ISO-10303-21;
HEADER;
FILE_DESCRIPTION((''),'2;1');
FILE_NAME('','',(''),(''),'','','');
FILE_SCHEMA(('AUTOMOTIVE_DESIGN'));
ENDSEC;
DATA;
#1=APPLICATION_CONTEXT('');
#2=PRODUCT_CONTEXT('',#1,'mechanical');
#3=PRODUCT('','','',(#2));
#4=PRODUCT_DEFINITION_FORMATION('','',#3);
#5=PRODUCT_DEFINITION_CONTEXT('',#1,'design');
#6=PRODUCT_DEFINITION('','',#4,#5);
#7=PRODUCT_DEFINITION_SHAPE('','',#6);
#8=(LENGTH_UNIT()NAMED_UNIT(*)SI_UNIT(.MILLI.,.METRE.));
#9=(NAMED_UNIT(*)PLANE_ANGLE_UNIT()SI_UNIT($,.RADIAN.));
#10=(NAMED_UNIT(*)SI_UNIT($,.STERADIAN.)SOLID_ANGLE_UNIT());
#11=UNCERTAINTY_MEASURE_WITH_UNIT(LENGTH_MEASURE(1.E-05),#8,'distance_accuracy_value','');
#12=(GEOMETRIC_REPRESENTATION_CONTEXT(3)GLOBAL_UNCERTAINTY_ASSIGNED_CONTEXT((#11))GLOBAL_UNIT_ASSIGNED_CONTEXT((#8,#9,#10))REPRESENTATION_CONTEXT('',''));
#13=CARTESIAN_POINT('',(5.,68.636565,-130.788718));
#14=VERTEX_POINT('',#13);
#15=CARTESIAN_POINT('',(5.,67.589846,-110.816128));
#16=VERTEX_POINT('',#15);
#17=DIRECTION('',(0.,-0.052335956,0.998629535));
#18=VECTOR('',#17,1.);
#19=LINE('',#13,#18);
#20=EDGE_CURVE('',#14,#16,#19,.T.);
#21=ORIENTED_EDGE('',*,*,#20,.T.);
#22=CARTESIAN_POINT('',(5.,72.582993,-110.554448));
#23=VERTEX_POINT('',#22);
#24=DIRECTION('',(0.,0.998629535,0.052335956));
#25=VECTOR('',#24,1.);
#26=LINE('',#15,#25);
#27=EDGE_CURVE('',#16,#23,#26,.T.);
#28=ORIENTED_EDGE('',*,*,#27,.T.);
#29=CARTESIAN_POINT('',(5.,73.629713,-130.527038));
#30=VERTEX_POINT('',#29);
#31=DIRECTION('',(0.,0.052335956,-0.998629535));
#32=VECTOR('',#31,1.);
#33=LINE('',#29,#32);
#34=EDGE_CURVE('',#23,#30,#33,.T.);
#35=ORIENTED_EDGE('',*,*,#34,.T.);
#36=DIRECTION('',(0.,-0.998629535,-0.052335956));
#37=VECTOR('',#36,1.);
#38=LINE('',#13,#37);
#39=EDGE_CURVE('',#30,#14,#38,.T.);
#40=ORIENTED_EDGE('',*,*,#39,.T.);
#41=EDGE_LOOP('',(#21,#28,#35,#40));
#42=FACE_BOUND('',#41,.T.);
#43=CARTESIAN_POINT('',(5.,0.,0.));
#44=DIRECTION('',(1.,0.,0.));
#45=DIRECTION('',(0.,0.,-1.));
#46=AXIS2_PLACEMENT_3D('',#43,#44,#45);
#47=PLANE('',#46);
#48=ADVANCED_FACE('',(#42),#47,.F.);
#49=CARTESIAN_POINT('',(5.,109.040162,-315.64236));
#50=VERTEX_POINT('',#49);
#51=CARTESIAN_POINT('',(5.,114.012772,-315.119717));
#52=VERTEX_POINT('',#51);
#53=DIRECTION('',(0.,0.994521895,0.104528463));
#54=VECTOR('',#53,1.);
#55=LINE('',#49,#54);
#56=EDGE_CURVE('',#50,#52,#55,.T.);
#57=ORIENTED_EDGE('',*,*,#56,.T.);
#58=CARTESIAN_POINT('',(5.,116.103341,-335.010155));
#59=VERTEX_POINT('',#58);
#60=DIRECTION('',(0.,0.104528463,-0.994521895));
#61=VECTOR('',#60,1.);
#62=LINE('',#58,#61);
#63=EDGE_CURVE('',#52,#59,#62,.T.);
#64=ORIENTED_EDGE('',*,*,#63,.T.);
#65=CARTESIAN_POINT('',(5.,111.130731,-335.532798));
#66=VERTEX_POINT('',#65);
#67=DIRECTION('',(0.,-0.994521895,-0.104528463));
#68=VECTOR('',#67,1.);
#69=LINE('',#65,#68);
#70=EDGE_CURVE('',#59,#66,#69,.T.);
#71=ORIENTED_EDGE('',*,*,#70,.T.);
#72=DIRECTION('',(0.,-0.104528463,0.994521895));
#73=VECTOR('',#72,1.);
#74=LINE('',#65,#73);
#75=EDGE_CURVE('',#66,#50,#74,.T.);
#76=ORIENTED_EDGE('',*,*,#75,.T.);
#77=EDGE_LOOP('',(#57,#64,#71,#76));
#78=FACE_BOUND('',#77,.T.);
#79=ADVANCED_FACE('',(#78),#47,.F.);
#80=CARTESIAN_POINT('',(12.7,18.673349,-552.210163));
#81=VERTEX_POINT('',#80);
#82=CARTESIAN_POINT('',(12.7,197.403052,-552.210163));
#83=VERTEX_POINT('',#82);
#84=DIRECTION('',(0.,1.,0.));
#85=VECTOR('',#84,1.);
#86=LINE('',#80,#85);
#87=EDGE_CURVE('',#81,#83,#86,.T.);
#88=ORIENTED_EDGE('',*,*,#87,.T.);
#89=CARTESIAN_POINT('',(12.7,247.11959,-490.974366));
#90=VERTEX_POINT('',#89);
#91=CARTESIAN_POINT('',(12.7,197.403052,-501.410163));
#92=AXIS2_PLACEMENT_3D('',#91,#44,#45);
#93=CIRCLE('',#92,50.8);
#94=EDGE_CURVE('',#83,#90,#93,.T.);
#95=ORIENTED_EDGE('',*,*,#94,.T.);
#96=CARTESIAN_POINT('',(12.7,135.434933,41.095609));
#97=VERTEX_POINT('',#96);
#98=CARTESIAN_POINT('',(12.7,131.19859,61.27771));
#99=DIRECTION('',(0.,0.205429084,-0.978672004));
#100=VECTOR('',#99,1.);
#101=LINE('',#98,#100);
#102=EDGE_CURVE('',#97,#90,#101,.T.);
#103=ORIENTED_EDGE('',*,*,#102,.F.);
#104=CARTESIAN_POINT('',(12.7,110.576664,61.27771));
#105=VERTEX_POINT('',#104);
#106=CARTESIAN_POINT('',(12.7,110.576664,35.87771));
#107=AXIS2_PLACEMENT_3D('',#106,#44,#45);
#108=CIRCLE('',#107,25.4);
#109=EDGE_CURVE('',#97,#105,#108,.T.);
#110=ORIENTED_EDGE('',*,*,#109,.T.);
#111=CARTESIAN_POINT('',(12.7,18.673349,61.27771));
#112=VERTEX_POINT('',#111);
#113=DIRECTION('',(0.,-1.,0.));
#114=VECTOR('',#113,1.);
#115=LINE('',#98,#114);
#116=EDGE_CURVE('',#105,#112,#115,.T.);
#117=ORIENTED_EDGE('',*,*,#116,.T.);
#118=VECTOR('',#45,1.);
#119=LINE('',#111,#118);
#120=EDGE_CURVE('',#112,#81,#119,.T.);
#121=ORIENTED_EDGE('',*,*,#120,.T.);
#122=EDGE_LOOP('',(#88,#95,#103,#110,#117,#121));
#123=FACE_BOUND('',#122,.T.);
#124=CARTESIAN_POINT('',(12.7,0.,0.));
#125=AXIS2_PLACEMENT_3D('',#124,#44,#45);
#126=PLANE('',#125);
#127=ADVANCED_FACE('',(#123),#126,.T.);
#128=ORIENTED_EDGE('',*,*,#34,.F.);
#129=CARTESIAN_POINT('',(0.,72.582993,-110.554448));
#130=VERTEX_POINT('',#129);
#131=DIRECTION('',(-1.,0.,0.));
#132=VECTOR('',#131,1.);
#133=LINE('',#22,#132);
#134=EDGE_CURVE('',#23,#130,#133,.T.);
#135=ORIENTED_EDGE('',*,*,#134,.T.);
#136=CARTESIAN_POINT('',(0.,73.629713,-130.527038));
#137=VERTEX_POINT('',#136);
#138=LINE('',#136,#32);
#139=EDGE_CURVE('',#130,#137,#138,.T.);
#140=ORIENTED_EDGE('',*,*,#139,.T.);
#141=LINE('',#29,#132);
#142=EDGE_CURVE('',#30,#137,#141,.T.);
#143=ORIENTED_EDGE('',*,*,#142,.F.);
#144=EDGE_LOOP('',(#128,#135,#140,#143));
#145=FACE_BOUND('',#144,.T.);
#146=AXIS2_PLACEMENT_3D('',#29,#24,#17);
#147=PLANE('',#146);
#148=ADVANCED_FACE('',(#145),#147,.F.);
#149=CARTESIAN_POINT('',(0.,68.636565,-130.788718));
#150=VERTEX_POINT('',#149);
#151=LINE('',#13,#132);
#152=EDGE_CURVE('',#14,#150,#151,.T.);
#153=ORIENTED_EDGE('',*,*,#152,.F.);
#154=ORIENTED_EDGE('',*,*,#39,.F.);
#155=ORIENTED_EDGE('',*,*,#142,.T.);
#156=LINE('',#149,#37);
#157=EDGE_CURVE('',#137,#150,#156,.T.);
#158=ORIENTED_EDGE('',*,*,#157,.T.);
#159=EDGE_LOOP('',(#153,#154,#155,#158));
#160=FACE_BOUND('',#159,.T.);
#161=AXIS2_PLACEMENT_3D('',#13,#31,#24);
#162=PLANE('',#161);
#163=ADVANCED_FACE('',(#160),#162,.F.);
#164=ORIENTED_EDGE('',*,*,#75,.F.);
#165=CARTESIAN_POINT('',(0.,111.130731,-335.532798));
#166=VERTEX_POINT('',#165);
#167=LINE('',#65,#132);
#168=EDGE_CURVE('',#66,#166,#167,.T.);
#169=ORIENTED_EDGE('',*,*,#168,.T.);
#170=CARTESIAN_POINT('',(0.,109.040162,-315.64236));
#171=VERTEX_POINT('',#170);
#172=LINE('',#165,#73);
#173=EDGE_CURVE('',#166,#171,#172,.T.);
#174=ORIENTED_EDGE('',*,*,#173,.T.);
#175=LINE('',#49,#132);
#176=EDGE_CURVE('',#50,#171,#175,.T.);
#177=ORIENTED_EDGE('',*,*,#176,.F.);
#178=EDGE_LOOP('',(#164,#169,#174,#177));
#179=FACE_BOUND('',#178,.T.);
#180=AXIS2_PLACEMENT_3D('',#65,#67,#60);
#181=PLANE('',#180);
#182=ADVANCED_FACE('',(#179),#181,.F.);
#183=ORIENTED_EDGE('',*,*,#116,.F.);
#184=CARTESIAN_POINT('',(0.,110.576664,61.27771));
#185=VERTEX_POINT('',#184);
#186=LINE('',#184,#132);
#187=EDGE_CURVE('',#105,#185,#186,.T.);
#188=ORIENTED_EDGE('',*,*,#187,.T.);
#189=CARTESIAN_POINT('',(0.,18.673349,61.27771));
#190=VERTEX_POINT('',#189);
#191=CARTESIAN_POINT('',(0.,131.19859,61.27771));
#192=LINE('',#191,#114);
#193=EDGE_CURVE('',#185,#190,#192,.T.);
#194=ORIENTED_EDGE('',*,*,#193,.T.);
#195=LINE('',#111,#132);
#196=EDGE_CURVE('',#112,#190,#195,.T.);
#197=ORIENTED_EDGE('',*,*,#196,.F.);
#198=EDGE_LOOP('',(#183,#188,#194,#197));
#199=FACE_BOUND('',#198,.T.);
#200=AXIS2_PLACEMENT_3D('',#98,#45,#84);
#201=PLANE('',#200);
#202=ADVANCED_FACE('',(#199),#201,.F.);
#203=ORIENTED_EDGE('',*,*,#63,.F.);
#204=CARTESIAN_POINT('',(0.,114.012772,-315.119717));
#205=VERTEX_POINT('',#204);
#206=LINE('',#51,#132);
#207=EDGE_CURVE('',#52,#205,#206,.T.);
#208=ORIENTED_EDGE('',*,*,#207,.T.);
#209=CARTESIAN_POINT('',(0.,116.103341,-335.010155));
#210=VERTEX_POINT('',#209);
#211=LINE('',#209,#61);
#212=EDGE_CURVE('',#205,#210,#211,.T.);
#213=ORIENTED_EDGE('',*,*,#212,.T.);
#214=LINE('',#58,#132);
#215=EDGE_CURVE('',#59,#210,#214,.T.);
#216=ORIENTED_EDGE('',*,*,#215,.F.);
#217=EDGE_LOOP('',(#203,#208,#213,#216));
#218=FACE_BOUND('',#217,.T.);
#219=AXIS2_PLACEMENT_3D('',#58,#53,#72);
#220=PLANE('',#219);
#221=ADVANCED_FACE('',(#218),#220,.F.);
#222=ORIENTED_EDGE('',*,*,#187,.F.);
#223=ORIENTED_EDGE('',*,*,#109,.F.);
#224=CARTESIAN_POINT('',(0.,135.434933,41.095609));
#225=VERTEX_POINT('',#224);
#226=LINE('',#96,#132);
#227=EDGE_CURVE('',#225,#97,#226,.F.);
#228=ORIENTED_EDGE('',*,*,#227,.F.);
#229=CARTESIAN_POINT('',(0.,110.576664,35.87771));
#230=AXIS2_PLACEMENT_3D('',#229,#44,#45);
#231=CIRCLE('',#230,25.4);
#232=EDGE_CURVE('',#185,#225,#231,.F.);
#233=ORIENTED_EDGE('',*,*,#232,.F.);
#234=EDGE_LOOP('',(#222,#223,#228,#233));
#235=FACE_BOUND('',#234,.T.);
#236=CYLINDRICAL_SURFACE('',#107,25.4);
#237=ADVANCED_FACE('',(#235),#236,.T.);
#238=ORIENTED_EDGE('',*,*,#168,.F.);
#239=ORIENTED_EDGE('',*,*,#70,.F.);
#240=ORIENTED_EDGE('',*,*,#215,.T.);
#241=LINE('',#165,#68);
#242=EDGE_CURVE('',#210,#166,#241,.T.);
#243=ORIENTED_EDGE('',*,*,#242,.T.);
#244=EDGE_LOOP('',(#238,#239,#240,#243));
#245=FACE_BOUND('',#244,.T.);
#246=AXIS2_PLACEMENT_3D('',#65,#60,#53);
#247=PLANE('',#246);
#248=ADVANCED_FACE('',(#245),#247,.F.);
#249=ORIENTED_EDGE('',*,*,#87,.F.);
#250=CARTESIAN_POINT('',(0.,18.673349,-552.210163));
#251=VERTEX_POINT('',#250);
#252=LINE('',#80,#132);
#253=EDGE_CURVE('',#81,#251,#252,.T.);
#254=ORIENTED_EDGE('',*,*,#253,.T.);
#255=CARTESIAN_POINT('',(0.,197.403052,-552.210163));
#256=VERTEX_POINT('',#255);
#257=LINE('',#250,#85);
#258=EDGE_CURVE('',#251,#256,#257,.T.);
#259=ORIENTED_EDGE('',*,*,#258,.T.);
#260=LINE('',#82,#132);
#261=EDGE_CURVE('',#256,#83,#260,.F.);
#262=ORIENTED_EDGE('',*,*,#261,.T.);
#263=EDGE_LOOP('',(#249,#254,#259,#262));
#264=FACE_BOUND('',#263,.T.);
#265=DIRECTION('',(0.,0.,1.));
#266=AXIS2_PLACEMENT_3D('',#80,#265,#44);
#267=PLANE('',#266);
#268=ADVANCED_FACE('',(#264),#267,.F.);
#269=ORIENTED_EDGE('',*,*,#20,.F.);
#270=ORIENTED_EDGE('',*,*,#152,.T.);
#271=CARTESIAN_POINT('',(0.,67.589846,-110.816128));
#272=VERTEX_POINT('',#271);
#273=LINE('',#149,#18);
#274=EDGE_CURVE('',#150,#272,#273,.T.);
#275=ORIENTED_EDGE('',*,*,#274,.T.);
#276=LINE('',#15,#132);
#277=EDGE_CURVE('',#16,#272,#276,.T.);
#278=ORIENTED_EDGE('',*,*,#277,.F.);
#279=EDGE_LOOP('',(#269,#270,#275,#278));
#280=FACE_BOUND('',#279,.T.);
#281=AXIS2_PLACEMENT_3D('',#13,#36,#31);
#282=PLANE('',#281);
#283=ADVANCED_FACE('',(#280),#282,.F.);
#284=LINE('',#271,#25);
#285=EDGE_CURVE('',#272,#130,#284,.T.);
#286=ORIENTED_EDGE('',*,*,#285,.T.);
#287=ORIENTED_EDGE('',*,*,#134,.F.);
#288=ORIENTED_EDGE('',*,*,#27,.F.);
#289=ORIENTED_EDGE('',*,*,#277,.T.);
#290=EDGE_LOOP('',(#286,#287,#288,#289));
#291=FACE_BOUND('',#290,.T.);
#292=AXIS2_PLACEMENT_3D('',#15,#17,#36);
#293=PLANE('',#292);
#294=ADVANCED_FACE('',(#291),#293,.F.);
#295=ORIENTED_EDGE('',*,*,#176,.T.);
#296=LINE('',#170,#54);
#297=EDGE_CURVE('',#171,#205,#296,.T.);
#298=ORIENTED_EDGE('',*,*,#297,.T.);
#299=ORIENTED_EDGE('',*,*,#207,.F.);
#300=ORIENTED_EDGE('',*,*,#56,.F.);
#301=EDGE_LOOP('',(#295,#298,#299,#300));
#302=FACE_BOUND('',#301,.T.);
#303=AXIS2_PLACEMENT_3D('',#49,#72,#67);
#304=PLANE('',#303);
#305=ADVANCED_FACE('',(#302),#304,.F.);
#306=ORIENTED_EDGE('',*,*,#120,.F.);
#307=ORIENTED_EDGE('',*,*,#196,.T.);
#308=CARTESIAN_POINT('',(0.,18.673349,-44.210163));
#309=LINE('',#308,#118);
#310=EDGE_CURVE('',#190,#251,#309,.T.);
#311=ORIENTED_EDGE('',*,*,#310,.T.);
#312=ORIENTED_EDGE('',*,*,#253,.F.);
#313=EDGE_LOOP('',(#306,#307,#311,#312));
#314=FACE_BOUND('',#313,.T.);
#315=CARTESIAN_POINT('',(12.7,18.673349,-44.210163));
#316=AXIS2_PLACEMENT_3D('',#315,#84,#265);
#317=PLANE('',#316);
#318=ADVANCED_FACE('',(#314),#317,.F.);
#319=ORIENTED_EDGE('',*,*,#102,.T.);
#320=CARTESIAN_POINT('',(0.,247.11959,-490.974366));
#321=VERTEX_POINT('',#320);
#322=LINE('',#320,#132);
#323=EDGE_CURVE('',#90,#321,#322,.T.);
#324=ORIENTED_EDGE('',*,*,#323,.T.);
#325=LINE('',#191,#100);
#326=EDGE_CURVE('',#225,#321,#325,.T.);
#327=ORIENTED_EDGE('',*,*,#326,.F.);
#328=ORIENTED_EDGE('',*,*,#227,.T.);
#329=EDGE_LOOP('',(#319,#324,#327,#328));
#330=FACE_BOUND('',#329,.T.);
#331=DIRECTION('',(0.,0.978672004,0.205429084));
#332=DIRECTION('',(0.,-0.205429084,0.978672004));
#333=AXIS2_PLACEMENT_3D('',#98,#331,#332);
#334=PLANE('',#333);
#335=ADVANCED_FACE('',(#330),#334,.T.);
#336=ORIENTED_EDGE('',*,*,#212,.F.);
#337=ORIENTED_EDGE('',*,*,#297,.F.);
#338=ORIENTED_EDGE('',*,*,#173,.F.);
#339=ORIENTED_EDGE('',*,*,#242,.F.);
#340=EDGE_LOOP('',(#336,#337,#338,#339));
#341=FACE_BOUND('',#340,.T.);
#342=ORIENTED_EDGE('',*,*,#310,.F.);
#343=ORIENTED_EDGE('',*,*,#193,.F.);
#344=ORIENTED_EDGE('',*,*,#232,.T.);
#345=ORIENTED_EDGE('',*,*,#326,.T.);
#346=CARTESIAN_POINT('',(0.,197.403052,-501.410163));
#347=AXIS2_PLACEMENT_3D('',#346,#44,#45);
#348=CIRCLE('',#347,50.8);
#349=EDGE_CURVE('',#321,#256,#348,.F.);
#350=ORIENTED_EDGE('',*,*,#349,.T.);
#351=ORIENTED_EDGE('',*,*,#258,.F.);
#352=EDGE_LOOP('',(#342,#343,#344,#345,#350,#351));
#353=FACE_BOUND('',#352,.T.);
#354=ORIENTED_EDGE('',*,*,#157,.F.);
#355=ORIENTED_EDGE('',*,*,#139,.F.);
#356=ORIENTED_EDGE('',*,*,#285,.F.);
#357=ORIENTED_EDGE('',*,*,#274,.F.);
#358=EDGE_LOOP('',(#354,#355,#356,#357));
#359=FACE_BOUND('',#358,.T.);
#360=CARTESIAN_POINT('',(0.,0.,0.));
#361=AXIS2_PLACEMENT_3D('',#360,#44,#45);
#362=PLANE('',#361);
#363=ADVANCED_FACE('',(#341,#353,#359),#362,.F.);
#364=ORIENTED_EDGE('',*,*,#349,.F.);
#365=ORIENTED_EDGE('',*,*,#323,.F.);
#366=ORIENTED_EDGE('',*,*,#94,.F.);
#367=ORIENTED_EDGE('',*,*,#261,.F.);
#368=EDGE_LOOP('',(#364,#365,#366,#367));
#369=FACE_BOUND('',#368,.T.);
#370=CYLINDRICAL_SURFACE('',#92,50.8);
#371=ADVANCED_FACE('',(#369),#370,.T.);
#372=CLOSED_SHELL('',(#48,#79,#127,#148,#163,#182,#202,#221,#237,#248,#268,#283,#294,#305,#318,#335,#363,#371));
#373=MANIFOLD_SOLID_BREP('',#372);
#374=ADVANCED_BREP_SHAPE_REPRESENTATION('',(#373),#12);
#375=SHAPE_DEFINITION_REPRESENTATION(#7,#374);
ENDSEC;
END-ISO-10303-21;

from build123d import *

# Parameters (mm, degrees)
BOSS_EXTRUDE1_DEPTH = 12.7
FILLET2_R           = 50.8
FILLET3_R           = 25.4
SKETCH2_W           = 20
SKETCH2_H           = 5
CUT_EXTRUDE1_DEPTH  = 5
SKETCH3_W           = 20
SKETCH3_H           = 5
CUT_EXTRUDE2_DEPTH  = 5


with BuildPart() as part:
    # Sketch1 → Boss-Extrude1 (new body)
    with BuildSketch(Plane(origin=(0, 0, 0), x_dir=(0, 0, -1), z_dir=(1, 0, 0))):
        Polygon((44.210163248, 18.673348758), (552.210163248, 18.673348758), (552.210163248, 259.973348758), (-61.277709779, 131.198589616), (-61.277709779, 18.673348758), align=None)
    extrude(amount=BOSS_EXTRUDE1_DEPTH)

    # Fillet2
    fillet2_edges = [part.edges().sort_by_distance(p)[0] for p in [
        (6.35, 259.973348758, -552.210163248),
    ]]
    fillet(fillet2_edges, radius=FILLET2_R)

    # Fillet3
    fillet3_edges = [part.edges().sort_by_distance(p)[0] for p in [
        (6.35, 131.198589616, 61.277709779),
    ]]
    fillet(fillet3_edges, radius=FILLET3_R)

    # Sketch2 → Cut-Extrude1 (cut)
    with BuildSketch(Plane(origin=(0, -2.351141299, -40.658116651), x_dir=(0, -0.05233595624294396, 0.998629534754574), z_dir=(-1, 0, 0))):
        with Locations((-83.722290221, 68.673348758)):
            Rectangle(SKETCH2_W, SKETCH2_H)
    extrude(amount=-CUT_EXTRUDE1_DEPTH, mode=Mode.SUBTRACT)

    # Sketch3 → Cut-Extrude2 (cut)
    with BuildSketch(Plane(origin=(0, -30.516141981, -7.826738697), x_dir=(0, -0.10452846326765375, 0.9945218953682733), z_dir=(-1, 0, 0))):
        with Locations((-330.716980881, 109.116306173)):
            Rectangle(SKETCH3_W, SKETCH3_H)
    extrude(amount=-CUT_EXTRUDE2_DEPTH, mode=Mode.SUBTRACT)


solid = part.part
